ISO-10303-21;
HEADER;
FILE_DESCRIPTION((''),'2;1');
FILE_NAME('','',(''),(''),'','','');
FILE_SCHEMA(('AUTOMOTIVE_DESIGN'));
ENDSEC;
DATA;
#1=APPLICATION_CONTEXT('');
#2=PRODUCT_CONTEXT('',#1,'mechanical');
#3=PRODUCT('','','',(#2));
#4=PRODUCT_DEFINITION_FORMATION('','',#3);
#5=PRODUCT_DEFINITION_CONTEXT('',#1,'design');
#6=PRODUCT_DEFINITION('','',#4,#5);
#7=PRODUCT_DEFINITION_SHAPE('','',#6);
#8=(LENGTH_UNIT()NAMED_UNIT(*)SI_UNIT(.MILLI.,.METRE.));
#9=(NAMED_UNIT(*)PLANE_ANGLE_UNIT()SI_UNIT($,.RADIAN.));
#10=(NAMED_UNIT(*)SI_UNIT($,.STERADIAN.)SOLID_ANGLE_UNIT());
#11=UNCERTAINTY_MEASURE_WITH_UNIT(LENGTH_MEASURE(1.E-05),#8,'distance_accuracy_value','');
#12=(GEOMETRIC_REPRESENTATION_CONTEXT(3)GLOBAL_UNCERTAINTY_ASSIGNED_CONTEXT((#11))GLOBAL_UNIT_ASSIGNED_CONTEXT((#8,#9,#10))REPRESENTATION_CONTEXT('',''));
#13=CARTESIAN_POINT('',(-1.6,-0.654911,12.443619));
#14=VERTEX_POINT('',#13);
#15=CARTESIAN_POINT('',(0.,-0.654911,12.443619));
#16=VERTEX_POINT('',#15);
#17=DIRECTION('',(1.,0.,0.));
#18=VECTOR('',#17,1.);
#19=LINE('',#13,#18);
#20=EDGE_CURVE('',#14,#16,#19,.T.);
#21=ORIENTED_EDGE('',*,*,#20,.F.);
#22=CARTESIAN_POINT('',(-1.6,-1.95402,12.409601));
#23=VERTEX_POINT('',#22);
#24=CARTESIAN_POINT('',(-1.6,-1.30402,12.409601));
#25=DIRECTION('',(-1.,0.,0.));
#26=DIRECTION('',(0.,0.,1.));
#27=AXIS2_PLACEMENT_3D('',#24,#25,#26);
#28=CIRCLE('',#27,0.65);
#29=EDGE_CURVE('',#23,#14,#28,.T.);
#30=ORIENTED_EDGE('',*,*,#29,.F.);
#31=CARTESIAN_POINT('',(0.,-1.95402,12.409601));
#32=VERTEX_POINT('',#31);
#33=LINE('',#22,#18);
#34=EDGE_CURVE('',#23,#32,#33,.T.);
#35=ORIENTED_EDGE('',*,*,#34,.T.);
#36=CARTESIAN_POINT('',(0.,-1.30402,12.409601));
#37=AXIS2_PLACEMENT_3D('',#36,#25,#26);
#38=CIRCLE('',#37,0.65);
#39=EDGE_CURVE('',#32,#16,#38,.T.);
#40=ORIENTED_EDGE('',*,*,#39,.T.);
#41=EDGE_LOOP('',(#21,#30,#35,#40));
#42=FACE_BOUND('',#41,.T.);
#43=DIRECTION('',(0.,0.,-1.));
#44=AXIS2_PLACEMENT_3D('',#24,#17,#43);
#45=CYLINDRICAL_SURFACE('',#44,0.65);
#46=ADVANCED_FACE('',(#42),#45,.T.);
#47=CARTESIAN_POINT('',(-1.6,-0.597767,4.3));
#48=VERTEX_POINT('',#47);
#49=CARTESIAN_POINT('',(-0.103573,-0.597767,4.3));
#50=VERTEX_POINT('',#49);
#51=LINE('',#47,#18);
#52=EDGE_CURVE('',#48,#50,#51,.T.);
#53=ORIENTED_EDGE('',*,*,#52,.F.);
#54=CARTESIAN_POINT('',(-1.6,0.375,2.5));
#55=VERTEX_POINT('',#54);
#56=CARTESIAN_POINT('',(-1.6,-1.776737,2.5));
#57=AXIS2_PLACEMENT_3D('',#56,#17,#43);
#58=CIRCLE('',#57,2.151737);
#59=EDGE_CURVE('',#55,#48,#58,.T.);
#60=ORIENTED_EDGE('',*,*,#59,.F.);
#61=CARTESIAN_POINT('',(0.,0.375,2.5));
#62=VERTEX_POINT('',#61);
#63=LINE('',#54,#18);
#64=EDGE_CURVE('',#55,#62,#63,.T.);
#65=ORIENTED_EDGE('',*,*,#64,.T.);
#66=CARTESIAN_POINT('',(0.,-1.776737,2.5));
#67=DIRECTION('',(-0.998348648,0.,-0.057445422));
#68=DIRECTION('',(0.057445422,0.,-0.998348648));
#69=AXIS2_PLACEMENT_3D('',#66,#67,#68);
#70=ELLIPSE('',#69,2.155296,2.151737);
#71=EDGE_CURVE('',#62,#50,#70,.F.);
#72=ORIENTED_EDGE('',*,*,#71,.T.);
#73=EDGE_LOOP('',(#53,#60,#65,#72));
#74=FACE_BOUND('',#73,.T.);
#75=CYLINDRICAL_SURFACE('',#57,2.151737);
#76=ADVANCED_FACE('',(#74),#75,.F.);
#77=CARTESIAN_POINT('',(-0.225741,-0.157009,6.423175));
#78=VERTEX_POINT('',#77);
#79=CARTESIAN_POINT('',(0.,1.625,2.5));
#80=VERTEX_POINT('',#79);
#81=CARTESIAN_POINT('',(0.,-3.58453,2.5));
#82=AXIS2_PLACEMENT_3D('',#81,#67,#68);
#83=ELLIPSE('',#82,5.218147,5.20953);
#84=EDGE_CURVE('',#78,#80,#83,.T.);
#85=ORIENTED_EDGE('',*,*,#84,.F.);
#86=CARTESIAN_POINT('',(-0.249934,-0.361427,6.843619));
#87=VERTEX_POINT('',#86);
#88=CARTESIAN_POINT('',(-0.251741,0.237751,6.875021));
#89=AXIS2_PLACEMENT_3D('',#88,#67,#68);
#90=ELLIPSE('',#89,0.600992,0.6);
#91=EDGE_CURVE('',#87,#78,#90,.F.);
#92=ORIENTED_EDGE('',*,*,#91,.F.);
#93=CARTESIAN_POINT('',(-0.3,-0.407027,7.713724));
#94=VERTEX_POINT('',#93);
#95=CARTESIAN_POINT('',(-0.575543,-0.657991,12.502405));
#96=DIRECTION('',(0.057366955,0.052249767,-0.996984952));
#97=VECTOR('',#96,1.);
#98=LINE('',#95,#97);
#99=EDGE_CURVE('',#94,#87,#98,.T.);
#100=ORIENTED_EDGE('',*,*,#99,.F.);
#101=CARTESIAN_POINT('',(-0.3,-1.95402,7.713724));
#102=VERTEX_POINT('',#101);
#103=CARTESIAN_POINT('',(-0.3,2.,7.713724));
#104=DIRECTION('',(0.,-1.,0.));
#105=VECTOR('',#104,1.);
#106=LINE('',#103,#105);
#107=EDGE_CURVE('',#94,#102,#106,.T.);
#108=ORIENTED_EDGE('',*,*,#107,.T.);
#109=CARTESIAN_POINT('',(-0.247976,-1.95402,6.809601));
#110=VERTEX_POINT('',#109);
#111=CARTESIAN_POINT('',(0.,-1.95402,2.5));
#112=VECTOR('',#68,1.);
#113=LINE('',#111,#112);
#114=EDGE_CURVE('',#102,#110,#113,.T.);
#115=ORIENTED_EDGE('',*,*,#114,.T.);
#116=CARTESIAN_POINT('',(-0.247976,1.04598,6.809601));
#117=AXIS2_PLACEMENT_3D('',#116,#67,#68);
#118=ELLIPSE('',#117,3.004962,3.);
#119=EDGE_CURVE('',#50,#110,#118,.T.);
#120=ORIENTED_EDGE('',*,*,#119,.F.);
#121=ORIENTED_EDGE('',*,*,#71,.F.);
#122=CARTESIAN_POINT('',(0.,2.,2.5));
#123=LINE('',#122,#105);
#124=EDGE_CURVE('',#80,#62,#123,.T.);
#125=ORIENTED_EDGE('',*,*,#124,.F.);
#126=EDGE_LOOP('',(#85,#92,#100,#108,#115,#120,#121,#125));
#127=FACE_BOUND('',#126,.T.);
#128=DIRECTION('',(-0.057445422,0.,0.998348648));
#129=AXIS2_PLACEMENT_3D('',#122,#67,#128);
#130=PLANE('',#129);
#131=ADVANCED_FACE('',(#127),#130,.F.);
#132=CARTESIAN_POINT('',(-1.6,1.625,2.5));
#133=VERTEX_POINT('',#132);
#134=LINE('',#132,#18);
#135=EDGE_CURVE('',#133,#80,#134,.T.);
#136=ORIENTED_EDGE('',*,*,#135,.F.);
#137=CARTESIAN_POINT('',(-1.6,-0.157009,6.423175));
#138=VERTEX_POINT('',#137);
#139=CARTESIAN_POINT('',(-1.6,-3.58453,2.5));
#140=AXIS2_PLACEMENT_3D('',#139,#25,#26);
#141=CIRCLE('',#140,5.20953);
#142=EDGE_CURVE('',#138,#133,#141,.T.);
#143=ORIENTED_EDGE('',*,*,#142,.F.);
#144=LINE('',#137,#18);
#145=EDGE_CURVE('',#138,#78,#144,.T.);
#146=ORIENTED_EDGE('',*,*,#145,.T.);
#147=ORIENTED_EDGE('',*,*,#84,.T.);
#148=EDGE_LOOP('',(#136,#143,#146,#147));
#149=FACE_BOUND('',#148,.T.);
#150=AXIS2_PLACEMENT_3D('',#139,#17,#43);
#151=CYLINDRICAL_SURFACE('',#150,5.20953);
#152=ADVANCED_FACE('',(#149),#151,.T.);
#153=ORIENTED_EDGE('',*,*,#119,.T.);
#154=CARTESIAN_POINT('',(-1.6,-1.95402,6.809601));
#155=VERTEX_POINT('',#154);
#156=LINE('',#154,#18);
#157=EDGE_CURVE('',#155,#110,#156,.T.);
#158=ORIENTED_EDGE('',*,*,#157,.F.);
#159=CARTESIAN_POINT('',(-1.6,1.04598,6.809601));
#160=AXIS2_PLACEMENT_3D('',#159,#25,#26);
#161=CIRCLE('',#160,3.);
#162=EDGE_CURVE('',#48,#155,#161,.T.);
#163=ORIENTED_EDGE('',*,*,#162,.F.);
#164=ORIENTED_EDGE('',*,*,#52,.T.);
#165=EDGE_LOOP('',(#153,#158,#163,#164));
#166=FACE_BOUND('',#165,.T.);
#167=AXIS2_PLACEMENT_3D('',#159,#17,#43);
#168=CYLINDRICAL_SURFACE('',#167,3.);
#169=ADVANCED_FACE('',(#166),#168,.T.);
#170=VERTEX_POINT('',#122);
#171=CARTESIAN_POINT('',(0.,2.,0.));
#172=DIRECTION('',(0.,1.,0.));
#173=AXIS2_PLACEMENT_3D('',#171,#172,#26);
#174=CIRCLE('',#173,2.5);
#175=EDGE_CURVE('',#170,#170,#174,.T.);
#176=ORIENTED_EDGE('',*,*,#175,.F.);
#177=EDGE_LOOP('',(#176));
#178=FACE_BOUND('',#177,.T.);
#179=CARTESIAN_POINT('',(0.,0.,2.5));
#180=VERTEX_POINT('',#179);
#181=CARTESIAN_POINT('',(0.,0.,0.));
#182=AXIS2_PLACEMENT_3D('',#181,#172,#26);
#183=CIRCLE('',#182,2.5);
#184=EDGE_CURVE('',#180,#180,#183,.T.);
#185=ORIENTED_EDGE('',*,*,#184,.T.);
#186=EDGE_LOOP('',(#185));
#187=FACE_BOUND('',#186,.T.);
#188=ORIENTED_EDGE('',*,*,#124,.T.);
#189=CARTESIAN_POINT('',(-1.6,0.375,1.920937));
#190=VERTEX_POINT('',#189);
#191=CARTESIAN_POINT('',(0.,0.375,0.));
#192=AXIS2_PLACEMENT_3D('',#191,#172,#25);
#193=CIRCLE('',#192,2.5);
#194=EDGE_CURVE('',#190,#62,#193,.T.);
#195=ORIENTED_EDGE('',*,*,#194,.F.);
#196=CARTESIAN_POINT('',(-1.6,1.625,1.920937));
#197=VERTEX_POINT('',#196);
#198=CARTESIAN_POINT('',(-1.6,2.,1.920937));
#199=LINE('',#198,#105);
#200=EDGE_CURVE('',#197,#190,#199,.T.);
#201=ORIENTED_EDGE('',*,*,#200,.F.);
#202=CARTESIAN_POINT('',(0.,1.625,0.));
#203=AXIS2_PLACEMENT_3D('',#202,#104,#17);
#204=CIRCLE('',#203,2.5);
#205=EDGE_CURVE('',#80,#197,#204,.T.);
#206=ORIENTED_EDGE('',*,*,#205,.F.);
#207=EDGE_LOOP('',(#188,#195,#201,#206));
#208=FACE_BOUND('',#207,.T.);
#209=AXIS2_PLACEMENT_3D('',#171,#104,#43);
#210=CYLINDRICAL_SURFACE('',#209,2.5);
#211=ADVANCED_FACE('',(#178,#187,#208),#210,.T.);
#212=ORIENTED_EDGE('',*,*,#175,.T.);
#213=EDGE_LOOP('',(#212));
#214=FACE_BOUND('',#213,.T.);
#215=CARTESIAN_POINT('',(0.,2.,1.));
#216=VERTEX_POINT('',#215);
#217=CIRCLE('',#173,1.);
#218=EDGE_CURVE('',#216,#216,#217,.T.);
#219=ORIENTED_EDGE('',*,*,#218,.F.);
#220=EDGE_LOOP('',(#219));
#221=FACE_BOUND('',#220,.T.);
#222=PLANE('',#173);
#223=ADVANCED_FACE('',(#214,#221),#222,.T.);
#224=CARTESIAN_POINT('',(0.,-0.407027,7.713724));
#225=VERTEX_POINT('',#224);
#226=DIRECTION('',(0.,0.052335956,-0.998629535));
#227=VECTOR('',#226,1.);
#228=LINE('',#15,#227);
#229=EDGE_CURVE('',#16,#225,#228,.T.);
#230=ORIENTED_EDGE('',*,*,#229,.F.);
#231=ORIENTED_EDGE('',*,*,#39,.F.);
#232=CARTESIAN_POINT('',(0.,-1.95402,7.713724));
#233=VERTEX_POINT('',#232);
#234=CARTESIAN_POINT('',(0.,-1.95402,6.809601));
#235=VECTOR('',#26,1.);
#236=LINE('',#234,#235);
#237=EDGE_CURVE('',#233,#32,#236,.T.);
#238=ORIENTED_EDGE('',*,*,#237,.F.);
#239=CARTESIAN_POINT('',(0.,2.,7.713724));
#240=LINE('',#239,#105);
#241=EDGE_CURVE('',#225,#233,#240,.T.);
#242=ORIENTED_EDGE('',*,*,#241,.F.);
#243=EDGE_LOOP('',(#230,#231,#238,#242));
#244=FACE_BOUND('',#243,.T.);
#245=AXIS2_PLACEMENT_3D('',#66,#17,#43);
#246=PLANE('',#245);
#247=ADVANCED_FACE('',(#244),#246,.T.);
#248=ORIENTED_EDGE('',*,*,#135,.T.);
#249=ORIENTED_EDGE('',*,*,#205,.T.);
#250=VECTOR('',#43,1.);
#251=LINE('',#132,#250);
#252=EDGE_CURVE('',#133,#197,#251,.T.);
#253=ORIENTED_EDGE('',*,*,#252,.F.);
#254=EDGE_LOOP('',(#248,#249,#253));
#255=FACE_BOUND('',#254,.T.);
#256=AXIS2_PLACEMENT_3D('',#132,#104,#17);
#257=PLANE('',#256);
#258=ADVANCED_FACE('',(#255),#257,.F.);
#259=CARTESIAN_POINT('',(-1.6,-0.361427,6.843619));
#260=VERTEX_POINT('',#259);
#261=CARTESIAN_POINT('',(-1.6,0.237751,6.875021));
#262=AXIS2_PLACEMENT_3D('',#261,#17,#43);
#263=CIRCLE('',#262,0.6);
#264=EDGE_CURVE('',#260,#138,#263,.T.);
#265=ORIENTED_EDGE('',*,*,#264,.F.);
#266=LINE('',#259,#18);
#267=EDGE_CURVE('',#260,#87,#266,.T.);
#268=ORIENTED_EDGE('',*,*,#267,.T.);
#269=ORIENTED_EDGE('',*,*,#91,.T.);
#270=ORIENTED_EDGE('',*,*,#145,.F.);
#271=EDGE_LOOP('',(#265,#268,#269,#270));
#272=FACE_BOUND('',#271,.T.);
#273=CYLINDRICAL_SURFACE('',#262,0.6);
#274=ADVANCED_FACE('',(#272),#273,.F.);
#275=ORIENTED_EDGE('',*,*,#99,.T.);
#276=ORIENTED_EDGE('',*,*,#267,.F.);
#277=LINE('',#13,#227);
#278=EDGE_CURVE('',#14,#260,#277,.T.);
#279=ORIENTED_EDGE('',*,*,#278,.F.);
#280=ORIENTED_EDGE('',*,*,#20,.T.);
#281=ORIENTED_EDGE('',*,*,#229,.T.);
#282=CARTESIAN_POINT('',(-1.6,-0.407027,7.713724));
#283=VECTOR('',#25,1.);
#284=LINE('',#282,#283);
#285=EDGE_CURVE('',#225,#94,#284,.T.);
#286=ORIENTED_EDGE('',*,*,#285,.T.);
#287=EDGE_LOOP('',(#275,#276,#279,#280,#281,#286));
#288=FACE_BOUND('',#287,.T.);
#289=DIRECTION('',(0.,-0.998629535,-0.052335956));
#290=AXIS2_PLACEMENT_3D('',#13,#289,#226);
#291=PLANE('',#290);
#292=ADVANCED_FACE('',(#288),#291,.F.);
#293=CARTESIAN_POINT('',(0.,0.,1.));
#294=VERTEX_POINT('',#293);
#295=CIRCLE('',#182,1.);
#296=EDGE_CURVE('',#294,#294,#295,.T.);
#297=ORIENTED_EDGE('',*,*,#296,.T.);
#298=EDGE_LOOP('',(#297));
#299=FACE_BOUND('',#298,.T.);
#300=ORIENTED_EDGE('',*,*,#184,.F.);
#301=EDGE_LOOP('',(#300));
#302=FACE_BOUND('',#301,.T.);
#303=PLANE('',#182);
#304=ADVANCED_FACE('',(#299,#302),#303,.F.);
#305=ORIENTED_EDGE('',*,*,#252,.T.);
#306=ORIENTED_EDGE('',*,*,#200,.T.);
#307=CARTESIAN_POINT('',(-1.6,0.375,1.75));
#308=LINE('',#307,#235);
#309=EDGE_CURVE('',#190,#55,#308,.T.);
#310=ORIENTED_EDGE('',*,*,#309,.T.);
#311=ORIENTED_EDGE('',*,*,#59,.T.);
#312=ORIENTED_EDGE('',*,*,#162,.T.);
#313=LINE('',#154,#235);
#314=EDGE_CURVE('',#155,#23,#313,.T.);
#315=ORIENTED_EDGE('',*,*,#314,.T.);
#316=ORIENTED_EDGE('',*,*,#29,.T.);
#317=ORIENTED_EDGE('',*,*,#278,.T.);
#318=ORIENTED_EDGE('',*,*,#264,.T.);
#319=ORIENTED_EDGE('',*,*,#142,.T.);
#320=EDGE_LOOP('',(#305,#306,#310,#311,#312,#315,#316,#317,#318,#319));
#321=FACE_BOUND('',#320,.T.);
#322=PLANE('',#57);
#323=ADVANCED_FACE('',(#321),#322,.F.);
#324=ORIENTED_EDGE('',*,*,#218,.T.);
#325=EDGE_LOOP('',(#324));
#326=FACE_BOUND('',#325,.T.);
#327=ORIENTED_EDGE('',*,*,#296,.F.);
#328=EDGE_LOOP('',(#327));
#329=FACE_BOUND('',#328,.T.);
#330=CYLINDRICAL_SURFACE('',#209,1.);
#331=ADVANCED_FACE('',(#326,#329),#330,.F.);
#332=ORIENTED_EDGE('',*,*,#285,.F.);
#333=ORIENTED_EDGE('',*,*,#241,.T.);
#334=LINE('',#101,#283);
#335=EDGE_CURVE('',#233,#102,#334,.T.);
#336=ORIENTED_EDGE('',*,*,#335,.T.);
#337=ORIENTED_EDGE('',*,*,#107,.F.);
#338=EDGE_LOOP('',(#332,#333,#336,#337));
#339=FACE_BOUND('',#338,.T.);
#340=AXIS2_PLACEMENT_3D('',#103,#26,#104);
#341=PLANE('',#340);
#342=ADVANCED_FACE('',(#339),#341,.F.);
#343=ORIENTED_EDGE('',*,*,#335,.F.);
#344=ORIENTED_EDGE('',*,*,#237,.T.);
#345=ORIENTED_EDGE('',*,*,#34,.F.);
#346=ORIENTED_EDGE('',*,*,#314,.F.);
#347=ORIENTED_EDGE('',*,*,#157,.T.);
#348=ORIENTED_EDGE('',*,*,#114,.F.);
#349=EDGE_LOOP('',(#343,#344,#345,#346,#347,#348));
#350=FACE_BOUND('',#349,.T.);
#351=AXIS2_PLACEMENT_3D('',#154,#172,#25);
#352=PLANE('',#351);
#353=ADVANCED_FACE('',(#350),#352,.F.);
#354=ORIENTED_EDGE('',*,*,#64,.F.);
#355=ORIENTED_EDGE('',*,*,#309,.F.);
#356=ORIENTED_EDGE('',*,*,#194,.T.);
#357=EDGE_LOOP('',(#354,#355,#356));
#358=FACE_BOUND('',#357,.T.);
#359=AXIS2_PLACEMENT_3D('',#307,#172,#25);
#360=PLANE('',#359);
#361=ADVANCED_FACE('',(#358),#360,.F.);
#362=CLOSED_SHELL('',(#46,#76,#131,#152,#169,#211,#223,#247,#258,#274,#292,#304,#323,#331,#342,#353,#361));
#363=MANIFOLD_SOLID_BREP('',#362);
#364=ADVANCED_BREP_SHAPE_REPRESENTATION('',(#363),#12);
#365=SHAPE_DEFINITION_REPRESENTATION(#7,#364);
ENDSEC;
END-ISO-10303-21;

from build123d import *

# Parameters (mm, degrees)
SKETCH1_R           = 2.5
SKETCH1_R_2         = 1
BOSS_EXTRUDE1_DEPTH = 2
BOSS_EXTRUDE2_DEPTH = 0.8
CUT_EXTRUDE1_DEPTH  = 14.872182458


with BuildPart() as part:
    # Sketch1 → Boss-Extrude1 (new body)
    with BuildSketch(Plane(origin=(0, 0, 0), x_dir=(1, 0, 0), z_dir=(0, 1, 0))):
        with Locations(Location((0, 0, 0), (0, 0, 270))):
            Circle(SKETCH1_R)
        with Locations(Location((0, 0, 0), (0, 0, 270))):
            Circle(SKETCH1_R_2, mode=Mode.SUBTRACT)
    extrude(amount=BOSS_EXTRUDE1_DEPTH)

    # Sketch7 → Boss-Extrude2 (add, symmetric)
    with BuildSketch(Plane(origin=(-0.8, 0, 0), x_dir=(0, -1, 0), z_dir=(-1, 0, 0))):
        with BuildLine():
            Line((1.954019719, 6.809600844), (1.954019719, 12.409600844))
            ThreePointArc((1.954019719, 12.409600844), (1.321034736, 13.059378105), (0.654910522, 12.443619215))
            Line((0.654910522, 12.443619215), (0.361426958, 6.843619215))
            ThreePointArc((0.361426958, 6.843619215), (0.301852122, 6.612668496), (0.157008946, 6.423174828))
            ThreePointArc((0.157008946, 6.423174828), (-1.158621723, 4.654463774), (-1.625, 2.5))
            Line((-1.625, 2.5), (-1.625, 1.75))
            Line((-1.625, 1.75), (-0.375, 1.75))
            Line((-0.375, 1.75), (-0.375, 2.5))
            ThreePointArc((-0.375, 2.5), (-0.11625091, 3.523019396), (0.597766538, 4.3))
            ThreePointArc((0.597766538, 4.3), (1.593265867, 5.383283989), (1.954019719, 6.809600844))
        make_face()
    extrude(amount=BOSS_EXTRUDE2_DEPTH, both=True)

    # Sketch9 → Cut-Extrude1 (cut, through all)
    with BuildSketch(Plane.XZ.offset(1.954019719)):
        Polygon((0, 2.5), (-0.3, 7.71372429), (0, 7.71372429), align=None)
    extrude(amount=-CUT_EXTRUDE1_DEPTH, mode=Mode.SUBTRACT)


solid = part.part
